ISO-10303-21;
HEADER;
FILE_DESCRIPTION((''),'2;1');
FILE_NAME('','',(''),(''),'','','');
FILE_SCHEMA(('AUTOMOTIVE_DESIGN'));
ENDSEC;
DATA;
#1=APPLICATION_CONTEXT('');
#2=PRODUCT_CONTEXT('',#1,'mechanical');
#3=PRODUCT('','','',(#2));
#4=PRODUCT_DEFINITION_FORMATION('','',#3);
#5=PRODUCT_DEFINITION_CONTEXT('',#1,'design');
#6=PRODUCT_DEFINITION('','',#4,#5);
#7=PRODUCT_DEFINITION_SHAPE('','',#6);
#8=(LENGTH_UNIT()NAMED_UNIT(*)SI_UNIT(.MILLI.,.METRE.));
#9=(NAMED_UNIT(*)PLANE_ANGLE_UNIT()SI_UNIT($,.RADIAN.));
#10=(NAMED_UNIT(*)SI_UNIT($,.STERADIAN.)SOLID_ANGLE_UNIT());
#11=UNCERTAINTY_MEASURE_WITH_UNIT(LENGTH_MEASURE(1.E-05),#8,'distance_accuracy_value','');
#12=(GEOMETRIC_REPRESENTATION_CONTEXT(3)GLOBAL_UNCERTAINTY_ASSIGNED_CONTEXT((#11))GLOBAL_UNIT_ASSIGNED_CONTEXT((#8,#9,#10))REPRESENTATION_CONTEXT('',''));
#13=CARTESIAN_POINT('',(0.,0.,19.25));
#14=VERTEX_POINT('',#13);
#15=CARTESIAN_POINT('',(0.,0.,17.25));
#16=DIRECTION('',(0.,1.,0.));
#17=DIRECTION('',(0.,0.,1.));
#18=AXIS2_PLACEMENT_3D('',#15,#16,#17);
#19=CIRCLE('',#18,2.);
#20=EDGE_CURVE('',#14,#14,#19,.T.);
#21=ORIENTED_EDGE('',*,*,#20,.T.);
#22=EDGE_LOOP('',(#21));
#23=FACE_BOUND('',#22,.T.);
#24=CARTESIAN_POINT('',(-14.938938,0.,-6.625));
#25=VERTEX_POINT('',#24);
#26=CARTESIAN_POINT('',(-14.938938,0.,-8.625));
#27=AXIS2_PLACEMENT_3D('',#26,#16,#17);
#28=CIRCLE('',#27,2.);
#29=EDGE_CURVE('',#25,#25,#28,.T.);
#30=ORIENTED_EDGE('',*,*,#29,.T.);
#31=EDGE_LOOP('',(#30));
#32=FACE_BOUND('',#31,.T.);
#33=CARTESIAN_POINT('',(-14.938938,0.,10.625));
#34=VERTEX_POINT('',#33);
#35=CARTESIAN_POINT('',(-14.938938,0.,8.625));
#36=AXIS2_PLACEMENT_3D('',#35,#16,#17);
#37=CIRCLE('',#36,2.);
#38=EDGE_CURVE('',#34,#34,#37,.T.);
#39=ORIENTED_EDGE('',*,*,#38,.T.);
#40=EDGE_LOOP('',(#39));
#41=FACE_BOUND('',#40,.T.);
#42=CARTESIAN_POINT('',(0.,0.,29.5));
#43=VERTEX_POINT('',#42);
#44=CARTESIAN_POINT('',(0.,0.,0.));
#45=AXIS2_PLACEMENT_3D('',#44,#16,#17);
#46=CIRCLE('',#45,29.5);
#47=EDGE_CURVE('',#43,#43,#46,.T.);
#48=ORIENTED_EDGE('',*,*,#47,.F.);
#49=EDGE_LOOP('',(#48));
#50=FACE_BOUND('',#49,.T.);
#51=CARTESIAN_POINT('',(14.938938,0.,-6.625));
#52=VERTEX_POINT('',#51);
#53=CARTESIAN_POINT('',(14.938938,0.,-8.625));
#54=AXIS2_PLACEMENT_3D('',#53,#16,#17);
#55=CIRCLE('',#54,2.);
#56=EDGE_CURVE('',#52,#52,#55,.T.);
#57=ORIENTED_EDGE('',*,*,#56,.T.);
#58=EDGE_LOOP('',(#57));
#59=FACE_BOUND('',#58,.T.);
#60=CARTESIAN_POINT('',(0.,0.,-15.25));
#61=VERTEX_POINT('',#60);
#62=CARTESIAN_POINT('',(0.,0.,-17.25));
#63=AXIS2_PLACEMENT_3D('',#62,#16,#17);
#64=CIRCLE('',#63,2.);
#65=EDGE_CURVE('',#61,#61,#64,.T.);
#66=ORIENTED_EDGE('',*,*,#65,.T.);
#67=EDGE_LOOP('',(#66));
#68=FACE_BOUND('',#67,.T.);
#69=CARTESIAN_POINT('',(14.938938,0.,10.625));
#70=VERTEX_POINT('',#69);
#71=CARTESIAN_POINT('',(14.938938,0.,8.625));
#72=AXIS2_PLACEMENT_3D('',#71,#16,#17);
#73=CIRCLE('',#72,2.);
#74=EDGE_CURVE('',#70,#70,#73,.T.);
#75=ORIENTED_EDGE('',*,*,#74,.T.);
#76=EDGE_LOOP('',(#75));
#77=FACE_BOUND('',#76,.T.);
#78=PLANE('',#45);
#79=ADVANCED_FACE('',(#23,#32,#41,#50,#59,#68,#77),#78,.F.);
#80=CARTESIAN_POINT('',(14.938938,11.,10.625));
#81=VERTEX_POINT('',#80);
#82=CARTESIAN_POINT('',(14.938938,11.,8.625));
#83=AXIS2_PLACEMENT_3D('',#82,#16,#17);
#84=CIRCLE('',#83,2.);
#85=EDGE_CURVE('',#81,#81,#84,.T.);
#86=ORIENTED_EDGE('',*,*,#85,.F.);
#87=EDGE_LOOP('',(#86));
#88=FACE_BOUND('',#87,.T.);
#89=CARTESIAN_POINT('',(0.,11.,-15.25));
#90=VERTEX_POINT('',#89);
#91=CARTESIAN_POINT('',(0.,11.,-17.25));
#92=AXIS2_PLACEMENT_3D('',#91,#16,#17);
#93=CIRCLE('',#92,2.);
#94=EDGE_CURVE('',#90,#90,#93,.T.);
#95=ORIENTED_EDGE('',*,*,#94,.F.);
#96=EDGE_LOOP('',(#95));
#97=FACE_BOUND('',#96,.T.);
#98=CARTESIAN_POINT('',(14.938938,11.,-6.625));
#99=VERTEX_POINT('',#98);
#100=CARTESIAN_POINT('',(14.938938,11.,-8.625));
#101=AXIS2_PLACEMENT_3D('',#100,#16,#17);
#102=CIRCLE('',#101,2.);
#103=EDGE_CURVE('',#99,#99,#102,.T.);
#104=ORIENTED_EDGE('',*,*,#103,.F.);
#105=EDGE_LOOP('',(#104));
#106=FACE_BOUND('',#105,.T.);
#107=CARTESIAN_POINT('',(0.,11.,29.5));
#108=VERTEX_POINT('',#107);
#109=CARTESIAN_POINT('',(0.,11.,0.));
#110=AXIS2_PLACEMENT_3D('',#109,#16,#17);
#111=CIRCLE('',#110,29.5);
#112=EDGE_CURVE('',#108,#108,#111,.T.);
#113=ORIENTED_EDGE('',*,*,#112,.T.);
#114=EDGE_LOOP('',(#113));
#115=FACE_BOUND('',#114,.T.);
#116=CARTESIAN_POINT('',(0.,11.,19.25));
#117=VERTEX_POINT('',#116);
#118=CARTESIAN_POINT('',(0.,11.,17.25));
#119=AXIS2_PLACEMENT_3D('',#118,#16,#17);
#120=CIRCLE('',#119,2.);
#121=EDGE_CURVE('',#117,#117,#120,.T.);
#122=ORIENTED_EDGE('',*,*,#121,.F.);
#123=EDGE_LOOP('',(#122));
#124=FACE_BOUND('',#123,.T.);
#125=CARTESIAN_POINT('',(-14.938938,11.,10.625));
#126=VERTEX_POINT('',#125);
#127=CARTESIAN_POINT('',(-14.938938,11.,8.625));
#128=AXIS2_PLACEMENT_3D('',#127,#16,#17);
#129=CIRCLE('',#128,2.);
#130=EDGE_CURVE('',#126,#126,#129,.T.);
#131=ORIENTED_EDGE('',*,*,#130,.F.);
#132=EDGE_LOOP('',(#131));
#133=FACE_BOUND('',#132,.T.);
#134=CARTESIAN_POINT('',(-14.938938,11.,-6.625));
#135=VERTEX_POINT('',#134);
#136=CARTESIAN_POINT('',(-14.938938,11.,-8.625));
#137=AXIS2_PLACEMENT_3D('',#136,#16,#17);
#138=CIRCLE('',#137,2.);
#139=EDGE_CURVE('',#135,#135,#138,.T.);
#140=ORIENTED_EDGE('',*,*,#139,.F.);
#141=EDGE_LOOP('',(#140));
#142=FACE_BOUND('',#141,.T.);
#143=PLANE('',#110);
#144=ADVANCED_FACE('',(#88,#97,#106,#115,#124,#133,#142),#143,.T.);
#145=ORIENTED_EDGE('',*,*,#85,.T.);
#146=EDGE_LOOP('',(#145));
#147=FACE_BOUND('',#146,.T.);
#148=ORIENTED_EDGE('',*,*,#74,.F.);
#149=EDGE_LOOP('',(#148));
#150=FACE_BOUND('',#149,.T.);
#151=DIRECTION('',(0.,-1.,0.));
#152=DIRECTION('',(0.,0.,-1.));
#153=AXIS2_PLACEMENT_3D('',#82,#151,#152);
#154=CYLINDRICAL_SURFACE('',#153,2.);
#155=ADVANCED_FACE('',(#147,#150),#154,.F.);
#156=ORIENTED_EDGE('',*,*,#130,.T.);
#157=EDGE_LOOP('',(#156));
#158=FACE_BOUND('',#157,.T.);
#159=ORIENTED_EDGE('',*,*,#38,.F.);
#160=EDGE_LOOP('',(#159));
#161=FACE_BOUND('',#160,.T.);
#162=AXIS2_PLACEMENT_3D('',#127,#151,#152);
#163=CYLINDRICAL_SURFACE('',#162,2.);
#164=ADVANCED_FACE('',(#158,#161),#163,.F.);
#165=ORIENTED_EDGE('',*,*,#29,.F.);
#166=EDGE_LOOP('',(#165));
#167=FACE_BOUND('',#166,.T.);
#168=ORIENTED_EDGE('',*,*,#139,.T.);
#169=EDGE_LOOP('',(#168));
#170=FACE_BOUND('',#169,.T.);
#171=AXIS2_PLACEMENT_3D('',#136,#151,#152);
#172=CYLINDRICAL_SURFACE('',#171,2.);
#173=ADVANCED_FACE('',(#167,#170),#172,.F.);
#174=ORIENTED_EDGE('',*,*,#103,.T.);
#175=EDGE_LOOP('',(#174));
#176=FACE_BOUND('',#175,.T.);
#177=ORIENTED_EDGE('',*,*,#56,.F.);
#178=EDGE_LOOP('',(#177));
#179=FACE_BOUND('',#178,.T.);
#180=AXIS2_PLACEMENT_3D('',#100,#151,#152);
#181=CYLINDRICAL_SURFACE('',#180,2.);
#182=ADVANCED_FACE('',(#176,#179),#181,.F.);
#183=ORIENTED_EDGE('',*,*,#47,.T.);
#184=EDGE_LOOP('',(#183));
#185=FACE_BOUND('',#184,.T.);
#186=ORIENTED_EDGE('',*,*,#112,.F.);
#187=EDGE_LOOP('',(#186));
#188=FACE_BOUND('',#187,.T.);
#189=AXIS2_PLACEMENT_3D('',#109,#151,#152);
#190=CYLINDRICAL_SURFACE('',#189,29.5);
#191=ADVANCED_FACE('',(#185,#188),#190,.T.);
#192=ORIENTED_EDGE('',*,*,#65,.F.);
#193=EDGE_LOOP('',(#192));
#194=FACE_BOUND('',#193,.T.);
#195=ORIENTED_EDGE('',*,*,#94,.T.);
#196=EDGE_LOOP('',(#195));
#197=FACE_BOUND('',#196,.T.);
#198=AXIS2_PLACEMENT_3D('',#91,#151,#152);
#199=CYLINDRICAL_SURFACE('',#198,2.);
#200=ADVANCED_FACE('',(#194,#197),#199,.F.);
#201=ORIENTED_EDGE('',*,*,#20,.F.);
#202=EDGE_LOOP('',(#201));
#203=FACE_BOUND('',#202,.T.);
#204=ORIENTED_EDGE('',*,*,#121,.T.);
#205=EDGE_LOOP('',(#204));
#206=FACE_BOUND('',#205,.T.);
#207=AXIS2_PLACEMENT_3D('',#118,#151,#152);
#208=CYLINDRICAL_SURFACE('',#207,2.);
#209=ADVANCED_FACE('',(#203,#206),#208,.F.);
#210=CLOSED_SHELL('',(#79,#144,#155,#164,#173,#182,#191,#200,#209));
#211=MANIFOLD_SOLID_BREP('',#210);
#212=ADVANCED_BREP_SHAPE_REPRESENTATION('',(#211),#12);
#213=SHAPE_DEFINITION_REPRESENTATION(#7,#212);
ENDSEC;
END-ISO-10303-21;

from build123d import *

# Parameters (mm, degrees)
SKETCH_1_R      = 29.5
SKETCH_1_R_2    = 2
EXTRUDE_1_DEPTH = 11


with BuildPart() as part:
    # 草图1 → 凸台-拉伸1 (new body)
    with BuildSketch(Plane(origin=(0, 0, 0), x_dir=(1, 0, 0), z_dir=(0, 1, 0))):
        with Locations(Location((0, 0, 0), (0, 0, 270))):
            Circle(SKETCH_1_R)
        with Locations(Location((0, 17.25, 0), (0, 0, 270))):
            Circle(SKETCH_1_R_2, mode=Mode.SUBTRACT)
        with Locations(Location((14.938938215, 8.625, 0), (0, 0, 270))):
            Circle(SKETCH_1_R_2, mode=Mode.SUBTRACT)
        with Locations(Location((14.938938215, -8.625, 0), (0, 0, 270))):
            Circle(SKETCH_1_R_2, mode=Mode.SUBTRACT)
        with Locations(Location((0, -17.25, 0), (0, 0, 270))):
            Circle(SKETCH_1_R_2, mode=Mode.SUBTRACT)
        with Locations(Location((-14.938938215, -8.625, 0), (0, 0, 270))):
            Circle(SKETCH_1_R_2, mode=Mode.SUBTRACT)
        with Locations(Location((-14.938938215, 8.625, 0), (0, 0, 270))):
            Circle(SKETCH_1_R_2, mode=Mode.SUBTRACT)
    extrude(amount=EXTRUDE_1_DEPTH)


solid = part.part
